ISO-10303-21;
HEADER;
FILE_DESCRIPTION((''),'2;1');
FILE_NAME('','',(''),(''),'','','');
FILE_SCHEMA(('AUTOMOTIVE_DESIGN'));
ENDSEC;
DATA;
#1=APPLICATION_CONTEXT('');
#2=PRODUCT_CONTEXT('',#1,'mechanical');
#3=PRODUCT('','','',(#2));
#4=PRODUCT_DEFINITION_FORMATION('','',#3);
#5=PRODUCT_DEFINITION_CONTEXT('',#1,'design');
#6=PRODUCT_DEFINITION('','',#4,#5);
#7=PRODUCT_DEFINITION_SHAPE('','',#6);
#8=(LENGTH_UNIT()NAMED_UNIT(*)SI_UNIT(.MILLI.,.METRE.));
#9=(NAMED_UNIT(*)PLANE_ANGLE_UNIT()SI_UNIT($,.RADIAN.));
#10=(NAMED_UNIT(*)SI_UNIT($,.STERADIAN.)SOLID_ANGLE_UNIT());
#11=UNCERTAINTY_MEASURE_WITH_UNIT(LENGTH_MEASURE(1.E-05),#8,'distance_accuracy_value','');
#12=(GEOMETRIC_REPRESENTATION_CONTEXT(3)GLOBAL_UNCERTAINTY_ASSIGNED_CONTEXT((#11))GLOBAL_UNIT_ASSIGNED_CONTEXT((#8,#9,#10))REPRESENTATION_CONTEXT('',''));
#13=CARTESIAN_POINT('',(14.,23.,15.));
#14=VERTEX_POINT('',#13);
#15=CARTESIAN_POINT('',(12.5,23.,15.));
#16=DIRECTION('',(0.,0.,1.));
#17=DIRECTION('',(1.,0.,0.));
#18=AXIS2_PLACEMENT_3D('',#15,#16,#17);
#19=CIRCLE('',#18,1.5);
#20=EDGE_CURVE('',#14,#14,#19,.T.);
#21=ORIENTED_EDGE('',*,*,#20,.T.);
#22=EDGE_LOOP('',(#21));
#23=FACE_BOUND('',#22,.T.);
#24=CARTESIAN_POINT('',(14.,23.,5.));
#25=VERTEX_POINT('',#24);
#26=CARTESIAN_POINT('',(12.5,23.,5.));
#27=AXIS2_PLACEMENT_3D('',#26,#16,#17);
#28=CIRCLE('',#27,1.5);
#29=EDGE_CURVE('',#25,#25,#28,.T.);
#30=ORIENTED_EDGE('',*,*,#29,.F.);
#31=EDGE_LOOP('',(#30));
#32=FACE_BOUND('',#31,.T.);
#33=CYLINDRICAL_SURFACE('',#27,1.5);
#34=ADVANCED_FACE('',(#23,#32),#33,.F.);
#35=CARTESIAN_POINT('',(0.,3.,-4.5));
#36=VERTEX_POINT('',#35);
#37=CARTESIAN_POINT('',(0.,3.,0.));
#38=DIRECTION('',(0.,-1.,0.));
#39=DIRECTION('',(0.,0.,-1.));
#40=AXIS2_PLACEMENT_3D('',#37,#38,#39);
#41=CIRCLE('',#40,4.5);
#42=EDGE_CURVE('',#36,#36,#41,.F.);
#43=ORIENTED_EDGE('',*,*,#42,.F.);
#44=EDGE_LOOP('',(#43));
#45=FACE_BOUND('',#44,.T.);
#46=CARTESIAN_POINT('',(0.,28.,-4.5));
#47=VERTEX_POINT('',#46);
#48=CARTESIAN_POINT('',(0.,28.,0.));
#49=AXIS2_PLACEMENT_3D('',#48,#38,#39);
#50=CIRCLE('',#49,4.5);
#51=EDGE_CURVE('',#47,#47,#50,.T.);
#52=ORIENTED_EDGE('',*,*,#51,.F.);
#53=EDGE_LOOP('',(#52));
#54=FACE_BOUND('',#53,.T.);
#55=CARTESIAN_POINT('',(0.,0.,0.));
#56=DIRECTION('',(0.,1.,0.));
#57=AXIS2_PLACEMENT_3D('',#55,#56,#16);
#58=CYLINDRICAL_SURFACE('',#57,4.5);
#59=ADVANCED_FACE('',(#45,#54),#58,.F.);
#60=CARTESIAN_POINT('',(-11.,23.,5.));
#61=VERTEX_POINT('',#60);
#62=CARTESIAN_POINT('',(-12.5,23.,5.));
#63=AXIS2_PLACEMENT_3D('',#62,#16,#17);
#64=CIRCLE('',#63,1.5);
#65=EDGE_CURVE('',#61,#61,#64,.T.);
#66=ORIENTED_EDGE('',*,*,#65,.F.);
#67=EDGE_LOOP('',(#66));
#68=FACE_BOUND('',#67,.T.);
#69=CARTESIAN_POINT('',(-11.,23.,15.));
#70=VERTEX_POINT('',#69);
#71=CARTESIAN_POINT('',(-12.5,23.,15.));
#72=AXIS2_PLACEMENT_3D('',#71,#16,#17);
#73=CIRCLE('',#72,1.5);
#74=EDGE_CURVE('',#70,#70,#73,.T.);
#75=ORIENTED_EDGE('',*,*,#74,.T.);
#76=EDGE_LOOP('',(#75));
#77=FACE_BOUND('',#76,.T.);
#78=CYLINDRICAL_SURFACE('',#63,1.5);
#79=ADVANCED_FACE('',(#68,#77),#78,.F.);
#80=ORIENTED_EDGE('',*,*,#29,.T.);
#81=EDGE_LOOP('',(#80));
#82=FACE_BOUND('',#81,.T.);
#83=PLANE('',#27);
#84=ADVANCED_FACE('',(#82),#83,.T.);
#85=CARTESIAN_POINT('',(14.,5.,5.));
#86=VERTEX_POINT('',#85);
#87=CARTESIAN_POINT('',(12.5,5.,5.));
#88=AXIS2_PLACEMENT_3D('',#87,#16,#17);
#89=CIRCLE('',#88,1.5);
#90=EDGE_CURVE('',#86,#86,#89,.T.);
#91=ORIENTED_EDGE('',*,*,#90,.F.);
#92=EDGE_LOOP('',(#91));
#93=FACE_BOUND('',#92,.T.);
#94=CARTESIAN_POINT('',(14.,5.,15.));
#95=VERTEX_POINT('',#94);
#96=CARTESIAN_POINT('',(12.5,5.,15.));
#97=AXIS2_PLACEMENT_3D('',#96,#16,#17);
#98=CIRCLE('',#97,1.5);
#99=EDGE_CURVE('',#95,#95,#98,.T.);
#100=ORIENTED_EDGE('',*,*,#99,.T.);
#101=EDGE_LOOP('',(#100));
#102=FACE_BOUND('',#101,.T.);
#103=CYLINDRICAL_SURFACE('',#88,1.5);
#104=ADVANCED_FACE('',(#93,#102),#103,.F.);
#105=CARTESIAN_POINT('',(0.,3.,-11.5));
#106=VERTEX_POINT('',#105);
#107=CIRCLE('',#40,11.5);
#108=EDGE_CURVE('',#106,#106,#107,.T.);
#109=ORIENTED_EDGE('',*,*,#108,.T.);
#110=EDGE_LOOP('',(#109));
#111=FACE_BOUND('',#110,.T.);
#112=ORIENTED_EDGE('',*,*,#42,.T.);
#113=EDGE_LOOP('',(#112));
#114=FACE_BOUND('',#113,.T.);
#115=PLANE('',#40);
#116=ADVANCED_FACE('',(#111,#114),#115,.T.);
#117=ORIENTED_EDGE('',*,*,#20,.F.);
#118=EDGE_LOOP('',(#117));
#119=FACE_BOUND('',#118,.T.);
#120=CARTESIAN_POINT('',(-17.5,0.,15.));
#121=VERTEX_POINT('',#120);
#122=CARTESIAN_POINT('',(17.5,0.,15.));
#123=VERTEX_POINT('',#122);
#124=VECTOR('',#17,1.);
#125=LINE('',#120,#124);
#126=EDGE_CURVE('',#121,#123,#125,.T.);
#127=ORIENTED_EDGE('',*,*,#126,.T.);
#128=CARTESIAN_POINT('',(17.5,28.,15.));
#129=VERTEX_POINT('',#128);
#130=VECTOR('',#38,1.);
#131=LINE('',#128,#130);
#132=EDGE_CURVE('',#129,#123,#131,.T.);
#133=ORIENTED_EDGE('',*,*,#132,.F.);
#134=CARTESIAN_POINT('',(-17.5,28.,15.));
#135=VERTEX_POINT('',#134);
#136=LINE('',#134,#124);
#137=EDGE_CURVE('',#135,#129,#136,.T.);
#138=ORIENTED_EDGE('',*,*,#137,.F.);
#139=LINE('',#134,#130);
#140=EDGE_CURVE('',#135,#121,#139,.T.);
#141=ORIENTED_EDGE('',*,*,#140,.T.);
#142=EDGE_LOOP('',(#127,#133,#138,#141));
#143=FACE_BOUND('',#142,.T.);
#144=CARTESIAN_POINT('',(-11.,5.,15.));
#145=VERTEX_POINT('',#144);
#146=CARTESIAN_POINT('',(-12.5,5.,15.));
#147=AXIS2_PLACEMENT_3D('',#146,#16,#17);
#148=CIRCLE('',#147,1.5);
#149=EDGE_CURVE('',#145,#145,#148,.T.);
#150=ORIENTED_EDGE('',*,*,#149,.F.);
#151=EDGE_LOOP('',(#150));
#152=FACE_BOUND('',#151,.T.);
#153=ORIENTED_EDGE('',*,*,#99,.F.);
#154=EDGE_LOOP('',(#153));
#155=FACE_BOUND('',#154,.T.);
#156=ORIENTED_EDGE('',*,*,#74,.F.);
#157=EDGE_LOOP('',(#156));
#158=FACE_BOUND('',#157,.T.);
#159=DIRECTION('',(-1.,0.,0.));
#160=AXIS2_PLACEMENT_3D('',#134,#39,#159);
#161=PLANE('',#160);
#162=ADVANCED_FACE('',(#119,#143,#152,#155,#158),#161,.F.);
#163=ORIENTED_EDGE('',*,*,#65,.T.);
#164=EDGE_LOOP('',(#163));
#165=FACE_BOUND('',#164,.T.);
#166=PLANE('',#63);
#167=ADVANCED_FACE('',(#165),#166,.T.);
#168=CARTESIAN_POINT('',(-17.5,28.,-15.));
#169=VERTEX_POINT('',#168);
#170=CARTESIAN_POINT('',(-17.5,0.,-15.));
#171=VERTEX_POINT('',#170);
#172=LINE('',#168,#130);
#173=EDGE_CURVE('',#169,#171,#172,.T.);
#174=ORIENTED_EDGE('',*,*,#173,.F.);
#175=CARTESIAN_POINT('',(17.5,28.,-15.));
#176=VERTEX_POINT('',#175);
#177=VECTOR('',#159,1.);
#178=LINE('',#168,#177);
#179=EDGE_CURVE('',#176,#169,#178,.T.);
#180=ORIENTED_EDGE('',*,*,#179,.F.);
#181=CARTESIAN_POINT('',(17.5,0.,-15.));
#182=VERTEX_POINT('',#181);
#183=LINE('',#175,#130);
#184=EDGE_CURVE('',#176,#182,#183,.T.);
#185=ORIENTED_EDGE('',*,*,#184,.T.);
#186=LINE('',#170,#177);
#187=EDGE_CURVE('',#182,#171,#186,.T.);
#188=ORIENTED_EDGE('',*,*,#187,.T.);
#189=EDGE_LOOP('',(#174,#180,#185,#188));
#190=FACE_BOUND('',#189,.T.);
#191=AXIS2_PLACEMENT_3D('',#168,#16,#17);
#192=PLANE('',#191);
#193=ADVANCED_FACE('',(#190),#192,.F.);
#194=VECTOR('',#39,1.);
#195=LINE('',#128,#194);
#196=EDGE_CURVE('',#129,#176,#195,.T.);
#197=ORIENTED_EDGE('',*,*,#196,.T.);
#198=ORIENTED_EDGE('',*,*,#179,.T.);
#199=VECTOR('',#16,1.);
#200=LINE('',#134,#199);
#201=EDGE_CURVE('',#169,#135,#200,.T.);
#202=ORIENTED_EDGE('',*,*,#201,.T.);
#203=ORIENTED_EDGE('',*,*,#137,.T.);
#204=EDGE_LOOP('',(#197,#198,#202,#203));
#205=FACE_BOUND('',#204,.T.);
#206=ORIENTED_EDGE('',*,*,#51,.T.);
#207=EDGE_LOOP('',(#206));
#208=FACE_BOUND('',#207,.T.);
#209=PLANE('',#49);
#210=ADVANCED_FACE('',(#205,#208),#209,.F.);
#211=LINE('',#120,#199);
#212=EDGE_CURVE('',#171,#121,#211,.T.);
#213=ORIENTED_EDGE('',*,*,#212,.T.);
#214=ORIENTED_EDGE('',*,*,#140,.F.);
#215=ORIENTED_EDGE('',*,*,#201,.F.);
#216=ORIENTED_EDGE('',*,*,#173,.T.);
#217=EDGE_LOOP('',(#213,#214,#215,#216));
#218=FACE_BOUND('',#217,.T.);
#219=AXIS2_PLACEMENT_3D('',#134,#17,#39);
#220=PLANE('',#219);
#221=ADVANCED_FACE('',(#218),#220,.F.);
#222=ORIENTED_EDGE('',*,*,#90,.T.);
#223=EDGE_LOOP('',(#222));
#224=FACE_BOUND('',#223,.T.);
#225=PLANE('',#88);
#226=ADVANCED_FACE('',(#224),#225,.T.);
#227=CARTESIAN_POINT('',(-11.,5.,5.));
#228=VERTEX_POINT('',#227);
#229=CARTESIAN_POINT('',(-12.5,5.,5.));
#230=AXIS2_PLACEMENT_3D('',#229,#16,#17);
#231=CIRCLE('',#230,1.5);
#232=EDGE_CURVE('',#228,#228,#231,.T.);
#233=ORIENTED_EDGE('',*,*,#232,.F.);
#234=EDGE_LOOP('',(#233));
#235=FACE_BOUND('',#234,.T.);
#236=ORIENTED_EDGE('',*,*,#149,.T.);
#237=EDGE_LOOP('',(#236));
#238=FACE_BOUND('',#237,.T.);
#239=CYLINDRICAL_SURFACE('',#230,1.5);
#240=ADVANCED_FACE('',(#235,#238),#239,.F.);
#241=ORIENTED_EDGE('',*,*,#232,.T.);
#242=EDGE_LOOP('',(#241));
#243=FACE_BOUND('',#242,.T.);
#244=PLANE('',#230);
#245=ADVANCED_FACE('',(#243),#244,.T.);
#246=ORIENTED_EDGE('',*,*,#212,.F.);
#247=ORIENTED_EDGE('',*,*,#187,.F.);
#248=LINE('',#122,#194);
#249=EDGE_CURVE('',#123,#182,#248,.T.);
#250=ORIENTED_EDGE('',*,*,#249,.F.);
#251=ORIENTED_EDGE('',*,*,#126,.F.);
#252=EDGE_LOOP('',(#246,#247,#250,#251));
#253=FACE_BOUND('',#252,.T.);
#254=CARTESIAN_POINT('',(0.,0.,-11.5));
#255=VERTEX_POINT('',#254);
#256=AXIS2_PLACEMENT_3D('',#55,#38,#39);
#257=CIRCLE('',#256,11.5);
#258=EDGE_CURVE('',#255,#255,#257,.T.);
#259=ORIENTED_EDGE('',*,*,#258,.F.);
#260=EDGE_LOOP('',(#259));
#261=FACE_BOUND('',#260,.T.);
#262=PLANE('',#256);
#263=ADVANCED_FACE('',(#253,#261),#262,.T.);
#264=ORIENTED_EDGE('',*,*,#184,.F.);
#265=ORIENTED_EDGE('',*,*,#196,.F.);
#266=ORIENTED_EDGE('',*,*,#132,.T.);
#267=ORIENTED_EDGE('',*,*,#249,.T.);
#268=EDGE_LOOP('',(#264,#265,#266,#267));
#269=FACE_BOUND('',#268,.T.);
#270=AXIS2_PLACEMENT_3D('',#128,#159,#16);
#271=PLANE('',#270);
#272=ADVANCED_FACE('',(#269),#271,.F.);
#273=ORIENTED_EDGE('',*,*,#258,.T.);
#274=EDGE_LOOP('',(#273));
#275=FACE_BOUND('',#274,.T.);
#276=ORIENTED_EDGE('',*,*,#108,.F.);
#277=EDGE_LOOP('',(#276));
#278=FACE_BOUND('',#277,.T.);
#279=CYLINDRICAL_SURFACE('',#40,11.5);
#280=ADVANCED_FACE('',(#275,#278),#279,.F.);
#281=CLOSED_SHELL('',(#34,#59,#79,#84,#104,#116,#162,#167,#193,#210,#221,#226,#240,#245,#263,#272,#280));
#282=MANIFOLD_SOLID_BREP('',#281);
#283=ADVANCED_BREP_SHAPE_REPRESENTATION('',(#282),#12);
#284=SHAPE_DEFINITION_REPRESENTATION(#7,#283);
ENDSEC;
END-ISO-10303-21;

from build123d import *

# Parameters (mm, degrees)
SKETCH1_W               = 35
SKETCH1_H               = 30
BOSS_EXTRUDE1_DEPTH     = 28
SKETCH2_R               = 1.5
CUT_EXTRUDE1_DEPTH      = 10
SKETCH5_R               = 11.5
CUT_EXTRUDE4_DEPTH      = 3
CUT_EXTRUDE5_DEPTH      = 35.003676272
CUT_EXTRUDE5_DEPTH_BACK = 35.003676272
SKETCH6_R               = 4.5


with BuildPart() as part:
    # Sketch1 → Boss-Extrude1 (new body)
    with BuildSketch(Plane(origin=(0, 0, 0), x_dir=(1, 0, 0), z_dir=(0, 1, 0))):
        Rectangle(SKETCH1_W, SKETCH1_H)
    extrude(amount=BOSS_EXTRUDE1_DEPTH)

    # Sketch2 → Cut-Extrude1 (cut)
    with BuildSketch(Plane.XY.offset(15)):
        with Locations((-12.5, 23)):
            Circle(SKETCH2_R)
        with Locations((12.5, 23)):
            Circle(SKETCH2_R)
        with Locations((12.5, 5)):
            Circle(SKETCH2_R)
        with Locations((-12.5, 5)):
            Circle(SKETCH2_R)
    extrude(amount=-CUT_EXTRUDE1_DEPTH, mode=Mode.SUBTRACT)

    # Sketch5 → Cut-Extrude4 (cut)
    with BuildSketch(Plane.XZ):
        with Locations(Location((0, 0, 0), (0, 0, 270))):
            Circle(SKETCH5_R)
    extrude(amount=-CUT_EXTRUDE4_DEPTH, mode=Mode.SUBTRACT)

    # Sketch6 → Cut-Extrude5 (cut, two sides: drawn at the far end of the back side and taken through both)
    with BuildSketch(Plane(origin=(0, 3, 0), x_dir=(-1, 0, 0), z_dir=(0, -1, 0)).offset(-CUT_EXTRUDE5_DEPTH_BACK)):
        with Locations(Location((0, 0, 0), (0, 0, 90))):
            Circle(SKETCH6_R)
    extrude(amount=CUT_EXTRUDE5_DEPTH + CUT_EXTRUDE5_DEPTH_BACK, mode=Mode.SUBTRACT)


solid = part.part
